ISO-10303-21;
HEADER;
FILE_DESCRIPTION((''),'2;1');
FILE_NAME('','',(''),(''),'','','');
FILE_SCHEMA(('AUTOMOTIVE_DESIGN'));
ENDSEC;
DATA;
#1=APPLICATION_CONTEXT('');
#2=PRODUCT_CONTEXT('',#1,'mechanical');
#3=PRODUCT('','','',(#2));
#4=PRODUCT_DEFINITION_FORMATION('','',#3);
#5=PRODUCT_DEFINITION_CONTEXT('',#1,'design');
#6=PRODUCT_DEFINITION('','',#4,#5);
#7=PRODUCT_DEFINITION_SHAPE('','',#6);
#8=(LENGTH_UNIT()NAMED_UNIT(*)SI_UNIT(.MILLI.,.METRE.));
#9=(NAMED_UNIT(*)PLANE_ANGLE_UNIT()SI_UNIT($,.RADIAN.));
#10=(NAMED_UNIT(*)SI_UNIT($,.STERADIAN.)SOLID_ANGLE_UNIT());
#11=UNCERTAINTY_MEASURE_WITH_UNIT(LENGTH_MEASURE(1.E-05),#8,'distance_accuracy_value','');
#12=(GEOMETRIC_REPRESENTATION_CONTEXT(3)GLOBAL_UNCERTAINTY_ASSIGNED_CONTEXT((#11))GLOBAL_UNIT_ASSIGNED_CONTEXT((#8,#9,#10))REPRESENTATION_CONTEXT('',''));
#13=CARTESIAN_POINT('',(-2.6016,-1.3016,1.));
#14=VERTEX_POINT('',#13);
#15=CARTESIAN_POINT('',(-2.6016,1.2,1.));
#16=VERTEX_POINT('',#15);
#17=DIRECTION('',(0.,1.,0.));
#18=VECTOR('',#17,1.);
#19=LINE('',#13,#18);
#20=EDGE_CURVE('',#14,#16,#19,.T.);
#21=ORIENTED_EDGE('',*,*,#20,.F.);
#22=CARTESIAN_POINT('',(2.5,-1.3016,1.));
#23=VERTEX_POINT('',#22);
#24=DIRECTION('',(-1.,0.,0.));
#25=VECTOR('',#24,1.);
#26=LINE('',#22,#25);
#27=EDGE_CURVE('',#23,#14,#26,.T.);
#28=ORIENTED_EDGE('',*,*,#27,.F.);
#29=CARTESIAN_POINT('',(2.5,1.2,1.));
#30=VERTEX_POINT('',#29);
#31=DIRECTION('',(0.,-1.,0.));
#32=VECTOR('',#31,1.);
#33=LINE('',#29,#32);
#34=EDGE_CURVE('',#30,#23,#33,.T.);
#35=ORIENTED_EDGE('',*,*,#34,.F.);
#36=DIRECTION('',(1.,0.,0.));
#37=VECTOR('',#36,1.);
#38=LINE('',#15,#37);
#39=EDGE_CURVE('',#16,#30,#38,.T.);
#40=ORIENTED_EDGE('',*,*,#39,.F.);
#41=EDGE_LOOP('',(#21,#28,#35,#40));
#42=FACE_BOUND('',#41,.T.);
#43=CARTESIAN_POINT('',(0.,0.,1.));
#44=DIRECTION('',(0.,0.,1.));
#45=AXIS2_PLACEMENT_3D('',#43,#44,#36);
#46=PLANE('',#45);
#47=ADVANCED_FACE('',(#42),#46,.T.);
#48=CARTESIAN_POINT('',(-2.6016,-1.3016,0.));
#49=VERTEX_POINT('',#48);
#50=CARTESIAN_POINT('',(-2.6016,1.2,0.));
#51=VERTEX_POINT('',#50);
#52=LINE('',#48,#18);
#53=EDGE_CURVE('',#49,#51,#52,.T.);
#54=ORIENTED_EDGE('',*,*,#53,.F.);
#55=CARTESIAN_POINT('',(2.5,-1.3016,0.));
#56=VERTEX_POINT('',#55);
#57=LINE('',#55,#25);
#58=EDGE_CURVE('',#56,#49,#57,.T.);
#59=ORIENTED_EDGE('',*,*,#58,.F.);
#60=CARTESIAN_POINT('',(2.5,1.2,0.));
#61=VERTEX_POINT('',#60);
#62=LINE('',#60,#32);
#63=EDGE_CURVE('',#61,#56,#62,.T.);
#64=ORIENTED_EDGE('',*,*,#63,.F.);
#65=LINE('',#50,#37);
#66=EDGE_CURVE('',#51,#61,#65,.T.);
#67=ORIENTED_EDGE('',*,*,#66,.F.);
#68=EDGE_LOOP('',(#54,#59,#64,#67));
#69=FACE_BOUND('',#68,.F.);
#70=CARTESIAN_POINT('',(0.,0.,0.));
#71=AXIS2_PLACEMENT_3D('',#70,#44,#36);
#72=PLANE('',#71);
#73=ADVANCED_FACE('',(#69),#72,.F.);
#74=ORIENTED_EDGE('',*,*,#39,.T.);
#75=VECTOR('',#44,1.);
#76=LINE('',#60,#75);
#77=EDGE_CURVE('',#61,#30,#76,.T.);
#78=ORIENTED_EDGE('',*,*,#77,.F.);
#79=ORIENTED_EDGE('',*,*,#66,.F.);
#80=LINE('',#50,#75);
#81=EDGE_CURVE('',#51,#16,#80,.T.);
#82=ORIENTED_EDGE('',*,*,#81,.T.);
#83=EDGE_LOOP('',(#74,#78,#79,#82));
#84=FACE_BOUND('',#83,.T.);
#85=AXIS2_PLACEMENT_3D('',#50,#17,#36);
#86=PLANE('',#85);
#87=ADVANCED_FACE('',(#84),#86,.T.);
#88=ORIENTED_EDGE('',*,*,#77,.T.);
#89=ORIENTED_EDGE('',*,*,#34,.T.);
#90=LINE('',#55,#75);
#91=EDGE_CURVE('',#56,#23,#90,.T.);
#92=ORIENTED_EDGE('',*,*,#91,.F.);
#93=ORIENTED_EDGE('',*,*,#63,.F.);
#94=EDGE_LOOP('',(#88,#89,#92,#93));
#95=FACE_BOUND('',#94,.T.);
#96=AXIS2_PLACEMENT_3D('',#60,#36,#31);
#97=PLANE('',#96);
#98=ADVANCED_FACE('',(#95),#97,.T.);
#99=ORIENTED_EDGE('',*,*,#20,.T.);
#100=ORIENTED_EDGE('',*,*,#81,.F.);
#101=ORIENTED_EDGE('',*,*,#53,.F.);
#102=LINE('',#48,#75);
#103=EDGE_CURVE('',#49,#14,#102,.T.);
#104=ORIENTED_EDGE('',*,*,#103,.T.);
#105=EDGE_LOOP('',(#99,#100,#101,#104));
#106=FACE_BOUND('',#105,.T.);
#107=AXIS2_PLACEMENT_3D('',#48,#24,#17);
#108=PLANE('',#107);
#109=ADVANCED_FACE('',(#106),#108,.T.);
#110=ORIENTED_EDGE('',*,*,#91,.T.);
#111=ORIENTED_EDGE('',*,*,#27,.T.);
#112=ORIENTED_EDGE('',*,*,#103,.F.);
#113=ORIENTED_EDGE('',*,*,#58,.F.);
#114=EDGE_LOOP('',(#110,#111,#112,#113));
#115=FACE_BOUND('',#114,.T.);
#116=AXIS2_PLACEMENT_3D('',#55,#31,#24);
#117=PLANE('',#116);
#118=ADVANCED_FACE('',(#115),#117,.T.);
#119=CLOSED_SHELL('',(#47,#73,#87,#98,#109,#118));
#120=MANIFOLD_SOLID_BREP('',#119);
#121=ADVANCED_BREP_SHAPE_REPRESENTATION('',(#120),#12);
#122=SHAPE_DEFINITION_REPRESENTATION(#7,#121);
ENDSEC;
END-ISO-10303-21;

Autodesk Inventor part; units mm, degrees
ref_plane "YZ Plane" through (0, 0, 0) normal (1, 0, 0) x (0, 1, 0)
ref_plane "XZ Plane" through (0, 0, 0) normal (0, 1, 0) x (-1, 0, 0)
ref_plane "XY Plane" through (0, 0, 0) normal (0, 0, 1) x (1, 0, 0)
sketch "EIA3216, 10UF_8" plane through (0, 0, 0) normal (0, 0, 1) x (1, 0, 0)
  line L0 (-2.6016, 1.2) -> (2.5, 1.2)
  line L1 (2.5, 1.2) -> (2.5, -1.3016)
  line L2 (2.5, -1.3016) -> (-2.6016, -1.3016)
  line L3 (-2.6016, -1.3016) -> (-2.6016, 1.2)
extrude "Extrusion1" add sketch "EIA3216, 10UF_8" along normal blind 1
properties part number "10UF"
